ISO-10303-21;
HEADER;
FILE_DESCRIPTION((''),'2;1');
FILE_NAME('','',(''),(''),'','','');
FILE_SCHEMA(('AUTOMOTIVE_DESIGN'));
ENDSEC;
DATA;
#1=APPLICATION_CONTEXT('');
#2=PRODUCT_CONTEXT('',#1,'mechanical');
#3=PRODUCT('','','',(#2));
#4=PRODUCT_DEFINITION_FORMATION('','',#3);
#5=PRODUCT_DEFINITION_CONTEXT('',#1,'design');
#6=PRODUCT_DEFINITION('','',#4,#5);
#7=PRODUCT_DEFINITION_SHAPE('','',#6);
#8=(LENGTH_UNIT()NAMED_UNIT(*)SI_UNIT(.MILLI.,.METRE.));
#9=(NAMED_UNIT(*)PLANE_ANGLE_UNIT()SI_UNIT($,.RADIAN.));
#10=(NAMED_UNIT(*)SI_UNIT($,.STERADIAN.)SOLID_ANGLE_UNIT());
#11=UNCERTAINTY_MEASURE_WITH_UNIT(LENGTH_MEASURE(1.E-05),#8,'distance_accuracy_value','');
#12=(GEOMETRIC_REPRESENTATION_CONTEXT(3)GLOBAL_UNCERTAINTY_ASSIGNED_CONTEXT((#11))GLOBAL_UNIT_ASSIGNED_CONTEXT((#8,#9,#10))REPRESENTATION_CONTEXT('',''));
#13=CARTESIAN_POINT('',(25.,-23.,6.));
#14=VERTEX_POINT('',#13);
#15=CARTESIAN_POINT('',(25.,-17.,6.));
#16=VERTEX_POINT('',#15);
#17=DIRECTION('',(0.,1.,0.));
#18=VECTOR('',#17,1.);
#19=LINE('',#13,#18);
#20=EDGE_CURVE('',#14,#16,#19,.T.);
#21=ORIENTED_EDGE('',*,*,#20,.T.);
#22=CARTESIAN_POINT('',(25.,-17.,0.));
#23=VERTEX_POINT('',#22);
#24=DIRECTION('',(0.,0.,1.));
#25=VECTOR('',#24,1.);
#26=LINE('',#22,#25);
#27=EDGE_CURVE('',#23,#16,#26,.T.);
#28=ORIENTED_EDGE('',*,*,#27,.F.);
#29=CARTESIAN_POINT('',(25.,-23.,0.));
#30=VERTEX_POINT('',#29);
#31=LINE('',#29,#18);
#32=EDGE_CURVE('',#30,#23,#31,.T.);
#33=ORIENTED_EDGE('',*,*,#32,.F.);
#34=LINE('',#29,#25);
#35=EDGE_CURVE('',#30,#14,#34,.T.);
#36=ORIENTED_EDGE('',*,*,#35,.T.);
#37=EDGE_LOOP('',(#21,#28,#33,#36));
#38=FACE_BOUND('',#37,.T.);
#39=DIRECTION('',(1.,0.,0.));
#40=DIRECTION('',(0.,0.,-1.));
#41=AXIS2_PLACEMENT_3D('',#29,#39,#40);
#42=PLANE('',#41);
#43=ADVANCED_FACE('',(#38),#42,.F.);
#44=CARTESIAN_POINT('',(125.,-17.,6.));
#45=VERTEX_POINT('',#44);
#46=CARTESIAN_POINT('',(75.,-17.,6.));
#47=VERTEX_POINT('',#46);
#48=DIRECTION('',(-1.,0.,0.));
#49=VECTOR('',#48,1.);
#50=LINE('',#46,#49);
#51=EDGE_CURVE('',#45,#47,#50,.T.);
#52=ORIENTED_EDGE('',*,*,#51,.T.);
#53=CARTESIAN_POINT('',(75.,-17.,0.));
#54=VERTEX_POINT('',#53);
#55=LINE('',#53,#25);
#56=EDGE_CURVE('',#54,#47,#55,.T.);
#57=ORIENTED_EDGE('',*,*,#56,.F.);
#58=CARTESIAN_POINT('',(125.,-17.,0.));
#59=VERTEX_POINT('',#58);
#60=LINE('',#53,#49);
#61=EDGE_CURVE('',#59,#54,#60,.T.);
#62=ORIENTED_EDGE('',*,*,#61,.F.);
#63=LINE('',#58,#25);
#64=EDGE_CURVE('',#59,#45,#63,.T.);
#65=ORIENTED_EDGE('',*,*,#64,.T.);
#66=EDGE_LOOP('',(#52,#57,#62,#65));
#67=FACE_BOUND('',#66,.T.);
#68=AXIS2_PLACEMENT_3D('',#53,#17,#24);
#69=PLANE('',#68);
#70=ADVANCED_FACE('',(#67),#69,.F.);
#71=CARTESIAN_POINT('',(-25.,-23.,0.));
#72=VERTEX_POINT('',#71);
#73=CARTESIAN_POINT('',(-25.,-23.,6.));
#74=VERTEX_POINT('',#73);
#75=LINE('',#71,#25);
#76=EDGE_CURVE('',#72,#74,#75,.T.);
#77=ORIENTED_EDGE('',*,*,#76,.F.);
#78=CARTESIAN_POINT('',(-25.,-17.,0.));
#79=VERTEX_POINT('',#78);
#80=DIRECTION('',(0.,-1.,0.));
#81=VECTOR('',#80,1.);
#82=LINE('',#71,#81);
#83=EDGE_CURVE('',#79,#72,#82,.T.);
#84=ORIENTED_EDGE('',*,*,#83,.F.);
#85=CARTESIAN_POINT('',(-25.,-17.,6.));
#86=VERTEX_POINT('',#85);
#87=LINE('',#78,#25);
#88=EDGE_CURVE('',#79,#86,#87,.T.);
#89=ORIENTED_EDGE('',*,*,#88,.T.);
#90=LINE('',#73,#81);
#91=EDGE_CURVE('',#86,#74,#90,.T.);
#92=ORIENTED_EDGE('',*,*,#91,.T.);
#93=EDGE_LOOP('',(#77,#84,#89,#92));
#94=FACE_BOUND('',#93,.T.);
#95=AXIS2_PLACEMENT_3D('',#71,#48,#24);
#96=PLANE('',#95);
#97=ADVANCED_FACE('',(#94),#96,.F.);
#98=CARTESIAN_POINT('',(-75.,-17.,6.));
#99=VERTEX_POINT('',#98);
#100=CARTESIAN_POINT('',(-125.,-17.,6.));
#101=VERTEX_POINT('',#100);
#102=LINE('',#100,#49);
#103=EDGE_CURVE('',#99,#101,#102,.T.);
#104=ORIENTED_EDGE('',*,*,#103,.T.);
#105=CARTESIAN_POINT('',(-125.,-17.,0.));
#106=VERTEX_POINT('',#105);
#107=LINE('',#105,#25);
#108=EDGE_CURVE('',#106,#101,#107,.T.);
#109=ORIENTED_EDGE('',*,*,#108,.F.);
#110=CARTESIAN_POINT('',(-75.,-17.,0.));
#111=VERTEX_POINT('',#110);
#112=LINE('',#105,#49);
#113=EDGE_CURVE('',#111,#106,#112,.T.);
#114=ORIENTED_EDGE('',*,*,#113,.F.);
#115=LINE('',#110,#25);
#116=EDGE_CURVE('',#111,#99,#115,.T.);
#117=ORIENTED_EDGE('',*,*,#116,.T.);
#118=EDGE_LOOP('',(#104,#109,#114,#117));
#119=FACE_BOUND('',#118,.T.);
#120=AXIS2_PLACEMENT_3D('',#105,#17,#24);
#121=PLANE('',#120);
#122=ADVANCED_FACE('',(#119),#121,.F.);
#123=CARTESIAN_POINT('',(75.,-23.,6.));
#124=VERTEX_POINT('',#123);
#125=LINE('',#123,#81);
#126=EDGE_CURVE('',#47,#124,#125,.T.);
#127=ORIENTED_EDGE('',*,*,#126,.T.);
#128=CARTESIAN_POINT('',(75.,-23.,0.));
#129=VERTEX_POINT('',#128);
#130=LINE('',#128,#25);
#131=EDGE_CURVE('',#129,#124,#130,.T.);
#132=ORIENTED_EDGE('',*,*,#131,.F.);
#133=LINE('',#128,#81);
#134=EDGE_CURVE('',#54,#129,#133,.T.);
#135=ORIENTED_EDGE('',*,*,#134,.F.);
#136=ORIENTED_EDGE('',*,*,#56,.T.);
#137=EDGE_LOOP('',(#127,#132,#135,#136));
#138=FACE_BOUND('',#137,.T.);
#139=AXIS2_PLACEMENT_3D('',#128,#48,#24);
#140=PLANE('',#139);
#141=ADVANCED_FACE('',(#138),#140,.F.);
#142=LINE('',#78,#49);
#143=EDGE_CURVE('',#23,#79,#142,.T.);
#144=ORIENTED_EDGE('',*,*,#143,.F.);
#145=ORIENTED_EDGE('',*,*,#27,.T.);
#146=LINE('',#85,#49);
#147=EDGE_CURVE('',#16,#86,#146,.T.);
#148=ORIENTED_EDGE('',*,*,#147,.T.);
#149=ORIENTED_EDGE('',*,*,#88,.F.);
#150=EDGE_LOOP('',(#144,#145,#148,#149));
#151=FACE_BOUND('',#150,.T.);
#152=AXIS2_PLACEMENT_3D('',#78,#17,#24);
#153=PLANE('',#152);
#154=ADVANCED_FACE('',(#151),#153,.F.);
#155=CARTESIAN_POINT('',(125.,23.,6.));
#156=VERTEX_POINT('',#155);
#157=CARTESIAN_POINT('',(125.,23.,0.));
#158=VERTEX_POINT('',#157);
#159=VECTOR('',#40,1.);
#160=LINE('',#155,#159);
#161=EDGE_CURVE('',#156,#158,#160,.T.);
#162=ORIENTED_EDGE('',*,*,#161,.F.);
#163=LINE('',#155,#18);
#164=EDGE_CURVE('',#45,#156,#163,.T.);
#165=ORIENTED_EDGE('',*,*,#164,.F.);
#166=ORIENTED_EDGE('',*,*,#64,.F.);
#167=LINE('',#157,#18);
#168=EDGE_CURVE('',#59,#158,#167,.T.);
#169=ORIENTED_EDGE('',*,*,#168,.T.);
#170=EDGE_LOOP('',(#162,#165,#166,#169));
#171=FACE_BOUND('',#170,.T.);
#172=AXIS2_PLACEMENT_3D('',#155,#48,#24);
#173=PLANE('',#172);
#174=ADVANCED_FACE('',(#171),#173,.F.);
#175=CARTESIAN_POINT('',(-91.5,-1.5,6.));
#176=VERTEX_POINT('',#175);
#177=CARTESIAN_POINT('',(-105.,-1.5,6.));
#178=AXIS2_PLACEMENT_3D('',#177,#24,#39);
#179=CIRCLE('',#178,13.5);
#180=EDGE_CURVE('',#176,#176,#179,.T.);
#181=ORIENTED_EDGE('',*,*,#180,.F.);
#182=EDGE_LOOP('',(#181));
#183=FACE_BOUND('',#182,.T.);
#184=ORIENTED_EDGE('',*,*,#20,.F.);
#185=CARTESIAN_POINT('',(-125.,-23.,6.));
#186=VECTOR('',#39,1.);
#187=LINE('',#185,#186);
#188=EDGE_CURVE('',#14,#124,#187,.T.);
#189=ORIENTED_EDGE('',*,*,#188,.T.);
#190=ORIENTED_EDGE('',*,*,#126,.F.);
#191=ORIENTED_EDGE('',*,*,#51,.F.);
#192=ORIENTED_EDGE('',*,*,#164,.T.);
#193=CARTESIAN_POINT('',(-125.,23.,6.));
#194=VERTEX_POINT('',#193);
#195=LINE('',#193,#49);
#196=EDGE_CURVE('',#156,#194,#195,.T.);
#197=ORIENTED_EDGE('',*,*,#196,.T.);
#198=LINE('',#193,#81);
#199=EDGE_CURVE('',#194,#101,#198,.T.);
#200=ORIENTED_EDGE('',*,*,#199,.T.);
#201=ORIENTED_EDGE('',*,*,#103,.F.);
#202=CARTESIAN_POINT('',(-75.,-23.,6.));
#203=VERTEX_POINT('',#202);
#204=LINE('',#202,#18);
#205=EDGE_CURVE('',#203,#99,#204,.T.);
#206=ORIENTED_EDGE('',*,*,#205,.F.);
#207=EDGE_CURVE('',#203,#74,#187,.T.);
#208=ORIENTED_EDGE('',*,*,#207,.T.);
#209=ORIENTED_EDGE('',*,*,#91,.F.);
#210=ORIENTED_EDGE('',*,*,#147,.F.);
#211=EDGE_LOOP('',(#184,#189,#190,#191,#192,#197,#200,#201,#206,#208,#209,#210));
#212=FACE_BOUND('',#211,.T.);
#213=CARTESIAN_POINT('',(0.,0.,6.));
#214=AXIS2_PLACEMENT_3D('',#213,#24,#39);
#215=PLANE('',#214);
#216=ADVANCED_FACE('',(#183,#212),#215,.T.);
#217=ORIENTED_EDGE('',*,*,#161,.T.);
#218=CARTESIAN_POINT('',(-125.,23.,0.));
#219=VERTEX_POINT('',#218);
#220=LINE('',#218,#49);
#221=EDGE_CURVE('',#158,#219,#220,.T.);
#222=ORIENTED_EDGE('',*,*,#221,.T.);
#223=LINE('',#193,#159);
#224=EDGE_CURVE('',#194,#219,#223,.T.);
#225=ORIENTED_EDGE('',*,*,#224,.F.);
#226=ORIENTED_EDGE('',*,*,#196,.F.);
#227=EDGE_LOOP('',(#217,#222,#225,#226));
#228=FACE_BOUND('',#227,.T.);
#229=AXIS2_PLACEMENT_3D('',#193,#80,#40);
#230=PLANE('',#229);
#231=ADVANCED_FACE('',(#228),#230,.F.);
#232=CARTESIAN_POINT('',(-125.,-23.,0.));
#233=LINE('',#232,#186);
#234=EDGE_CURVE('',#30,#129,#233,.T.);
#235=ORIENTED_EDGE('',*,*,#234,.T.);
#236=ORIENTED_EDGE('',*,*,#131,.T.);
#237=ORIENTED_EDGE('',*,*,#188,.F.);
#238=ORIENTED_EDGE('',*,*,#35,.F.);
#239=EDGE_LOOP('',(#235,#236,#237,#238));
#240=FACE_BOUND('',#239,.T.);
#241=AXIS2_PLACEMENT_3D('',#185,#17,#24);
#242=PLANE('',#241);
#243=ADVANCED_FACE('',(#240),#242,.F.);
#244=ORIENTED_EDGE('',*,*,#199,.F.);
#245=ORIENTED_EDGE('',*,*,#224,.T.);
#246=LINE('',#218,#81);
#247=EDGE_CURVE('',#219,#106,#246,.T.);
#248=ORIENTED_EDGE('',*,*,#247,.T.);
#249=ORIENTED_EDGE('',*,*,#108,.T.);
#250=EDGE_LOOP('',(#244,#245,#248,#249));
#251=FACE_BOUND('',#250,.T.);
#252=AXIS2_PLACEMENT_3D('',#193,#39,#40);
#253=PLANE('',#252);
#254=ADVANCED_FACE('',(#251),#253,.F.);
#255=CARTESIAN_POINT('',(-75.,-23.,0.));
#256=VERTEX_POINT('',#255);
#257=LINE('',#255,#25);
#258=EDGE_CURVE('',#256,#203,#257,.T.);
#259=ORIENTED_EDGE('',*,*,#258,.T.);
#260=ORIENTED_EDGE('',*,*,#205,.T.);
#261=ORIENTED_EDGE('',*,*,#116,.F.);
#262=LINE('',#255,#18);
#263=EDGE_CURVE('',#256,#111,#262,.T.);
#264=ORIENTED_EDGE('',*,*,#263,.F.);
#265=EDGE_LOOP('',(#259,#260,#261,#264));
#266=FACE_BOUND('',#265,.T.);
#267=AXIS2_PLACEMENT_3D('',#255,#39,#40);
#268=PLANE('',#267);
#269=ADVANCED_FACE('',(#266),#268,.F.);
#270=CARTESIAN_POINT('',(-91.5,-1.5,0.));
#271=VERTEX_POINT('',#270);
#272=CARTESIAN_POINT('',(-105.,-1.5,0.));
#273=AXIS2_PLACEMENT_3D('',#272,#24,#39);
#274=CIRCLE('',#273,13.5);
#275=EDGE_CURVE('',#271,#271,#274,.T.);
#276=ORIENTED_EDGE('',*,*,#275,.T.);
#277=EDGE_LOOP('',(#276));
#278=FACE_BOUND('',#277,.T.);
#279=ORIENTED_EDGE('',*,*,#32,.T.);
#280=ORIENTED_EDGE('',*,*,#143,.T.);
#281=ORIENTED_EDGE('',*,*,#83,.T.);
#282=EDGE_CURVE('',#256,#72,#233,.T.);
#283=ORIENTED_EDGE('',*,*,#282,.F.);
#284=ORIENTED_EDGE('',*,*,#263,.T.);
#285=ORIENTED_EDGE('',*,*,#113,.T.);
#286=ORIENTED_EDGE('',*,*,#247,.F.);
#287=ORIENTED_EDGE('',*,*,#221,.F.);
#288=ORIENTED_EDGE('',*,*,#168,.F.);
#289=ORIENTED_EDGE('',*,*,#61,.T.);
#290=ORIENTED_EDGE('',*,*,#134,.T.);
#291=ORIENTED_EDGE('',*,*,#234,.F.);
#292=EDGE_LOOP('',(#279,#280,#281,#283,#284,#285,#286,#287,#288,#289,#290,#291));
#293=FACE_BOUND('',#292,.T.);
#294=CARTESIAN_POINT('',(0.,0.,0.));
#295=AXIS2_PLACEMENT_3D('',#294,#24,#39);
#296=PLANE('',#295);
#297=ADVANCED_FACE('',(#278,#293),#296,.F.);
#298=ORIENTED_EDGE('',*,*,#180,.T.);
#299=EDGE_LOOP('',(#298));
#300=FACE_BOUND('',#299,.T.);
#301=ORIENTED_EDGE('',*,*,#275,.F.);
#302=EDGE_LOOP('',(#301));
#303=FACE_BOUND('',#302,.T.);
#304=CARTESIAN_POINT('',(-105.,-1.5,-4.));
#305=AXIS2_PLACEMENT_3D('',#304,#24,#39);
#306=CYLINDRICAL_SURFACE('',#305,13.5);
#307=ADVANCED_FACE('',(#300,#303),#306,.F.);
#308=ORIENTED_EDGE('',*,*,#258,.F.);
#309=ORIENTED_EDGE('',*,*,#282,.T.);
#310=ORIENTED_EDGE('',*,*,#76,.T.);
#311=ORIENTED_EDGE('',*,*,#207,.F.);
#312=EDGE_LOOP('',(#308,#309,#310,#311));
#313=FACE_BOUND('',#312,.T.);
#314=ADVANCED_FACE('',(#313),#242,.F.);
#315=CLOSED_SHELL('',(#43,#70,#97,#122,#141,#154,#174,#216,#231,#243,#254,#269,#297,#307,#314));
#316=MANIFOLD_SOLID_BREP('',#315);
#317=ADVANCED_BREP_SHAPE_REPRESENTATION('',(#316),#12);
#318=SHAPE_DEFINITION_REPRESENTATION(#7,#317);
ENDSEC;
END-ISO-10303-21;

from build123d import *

# Parameters (mm, degrees)
SKETCH1_W           = 250
SKETCH1_H           = 46
BOSS_EXTRUDE1_DEPTH = 6
SKETCH2_W           = 50
SKETCH2_H           = 6
CUT_EXTRUDE1_DEPTH  = 6
SKETCH3_R           = 13.5
CUT_EXTRUDE2_DEPTH  = 10


with BuildPart() as part:
    # Sketch1 → Boss-Extrude1 (new body)
    with BuildSketch(Plane.XY):
        Rectangle(SKETCH1_W, SKETCH1_H)
    extrude(amount=BOSS_EXTRUDE1_DEPTH)

    # Sketch2 → Cut-Extrude1 (cut)
    with BuildSketch(Plane.XY.offset(6)):
        with Locations((0, -20)):
            Rectangle(SKETCH2_W, SKETCH2_H)
        with Locations((-100, -20)):
            Rectangle(SKETCH2_W, SKETCH2_H)
        with Locations((100, -20)):
            Rectangle(SKETCH2_W, SKETCH2_H)
    extrude(amount=-CUT_EXTRUDE1_DEPTH, mode=Mode.SUBTRACT)

    # Sketch3 → Cut-Extrude2 (cut)
    with BuildSketch(Plane.XY.offset(6)):
        with Locations((-105, -1.5)):
            Circle(SKETCH3_R)
    extrude(amount=-CUT_EXTRUDE2_DEPTH, mode=Mode.SUBTRACT)


solid = part.part
